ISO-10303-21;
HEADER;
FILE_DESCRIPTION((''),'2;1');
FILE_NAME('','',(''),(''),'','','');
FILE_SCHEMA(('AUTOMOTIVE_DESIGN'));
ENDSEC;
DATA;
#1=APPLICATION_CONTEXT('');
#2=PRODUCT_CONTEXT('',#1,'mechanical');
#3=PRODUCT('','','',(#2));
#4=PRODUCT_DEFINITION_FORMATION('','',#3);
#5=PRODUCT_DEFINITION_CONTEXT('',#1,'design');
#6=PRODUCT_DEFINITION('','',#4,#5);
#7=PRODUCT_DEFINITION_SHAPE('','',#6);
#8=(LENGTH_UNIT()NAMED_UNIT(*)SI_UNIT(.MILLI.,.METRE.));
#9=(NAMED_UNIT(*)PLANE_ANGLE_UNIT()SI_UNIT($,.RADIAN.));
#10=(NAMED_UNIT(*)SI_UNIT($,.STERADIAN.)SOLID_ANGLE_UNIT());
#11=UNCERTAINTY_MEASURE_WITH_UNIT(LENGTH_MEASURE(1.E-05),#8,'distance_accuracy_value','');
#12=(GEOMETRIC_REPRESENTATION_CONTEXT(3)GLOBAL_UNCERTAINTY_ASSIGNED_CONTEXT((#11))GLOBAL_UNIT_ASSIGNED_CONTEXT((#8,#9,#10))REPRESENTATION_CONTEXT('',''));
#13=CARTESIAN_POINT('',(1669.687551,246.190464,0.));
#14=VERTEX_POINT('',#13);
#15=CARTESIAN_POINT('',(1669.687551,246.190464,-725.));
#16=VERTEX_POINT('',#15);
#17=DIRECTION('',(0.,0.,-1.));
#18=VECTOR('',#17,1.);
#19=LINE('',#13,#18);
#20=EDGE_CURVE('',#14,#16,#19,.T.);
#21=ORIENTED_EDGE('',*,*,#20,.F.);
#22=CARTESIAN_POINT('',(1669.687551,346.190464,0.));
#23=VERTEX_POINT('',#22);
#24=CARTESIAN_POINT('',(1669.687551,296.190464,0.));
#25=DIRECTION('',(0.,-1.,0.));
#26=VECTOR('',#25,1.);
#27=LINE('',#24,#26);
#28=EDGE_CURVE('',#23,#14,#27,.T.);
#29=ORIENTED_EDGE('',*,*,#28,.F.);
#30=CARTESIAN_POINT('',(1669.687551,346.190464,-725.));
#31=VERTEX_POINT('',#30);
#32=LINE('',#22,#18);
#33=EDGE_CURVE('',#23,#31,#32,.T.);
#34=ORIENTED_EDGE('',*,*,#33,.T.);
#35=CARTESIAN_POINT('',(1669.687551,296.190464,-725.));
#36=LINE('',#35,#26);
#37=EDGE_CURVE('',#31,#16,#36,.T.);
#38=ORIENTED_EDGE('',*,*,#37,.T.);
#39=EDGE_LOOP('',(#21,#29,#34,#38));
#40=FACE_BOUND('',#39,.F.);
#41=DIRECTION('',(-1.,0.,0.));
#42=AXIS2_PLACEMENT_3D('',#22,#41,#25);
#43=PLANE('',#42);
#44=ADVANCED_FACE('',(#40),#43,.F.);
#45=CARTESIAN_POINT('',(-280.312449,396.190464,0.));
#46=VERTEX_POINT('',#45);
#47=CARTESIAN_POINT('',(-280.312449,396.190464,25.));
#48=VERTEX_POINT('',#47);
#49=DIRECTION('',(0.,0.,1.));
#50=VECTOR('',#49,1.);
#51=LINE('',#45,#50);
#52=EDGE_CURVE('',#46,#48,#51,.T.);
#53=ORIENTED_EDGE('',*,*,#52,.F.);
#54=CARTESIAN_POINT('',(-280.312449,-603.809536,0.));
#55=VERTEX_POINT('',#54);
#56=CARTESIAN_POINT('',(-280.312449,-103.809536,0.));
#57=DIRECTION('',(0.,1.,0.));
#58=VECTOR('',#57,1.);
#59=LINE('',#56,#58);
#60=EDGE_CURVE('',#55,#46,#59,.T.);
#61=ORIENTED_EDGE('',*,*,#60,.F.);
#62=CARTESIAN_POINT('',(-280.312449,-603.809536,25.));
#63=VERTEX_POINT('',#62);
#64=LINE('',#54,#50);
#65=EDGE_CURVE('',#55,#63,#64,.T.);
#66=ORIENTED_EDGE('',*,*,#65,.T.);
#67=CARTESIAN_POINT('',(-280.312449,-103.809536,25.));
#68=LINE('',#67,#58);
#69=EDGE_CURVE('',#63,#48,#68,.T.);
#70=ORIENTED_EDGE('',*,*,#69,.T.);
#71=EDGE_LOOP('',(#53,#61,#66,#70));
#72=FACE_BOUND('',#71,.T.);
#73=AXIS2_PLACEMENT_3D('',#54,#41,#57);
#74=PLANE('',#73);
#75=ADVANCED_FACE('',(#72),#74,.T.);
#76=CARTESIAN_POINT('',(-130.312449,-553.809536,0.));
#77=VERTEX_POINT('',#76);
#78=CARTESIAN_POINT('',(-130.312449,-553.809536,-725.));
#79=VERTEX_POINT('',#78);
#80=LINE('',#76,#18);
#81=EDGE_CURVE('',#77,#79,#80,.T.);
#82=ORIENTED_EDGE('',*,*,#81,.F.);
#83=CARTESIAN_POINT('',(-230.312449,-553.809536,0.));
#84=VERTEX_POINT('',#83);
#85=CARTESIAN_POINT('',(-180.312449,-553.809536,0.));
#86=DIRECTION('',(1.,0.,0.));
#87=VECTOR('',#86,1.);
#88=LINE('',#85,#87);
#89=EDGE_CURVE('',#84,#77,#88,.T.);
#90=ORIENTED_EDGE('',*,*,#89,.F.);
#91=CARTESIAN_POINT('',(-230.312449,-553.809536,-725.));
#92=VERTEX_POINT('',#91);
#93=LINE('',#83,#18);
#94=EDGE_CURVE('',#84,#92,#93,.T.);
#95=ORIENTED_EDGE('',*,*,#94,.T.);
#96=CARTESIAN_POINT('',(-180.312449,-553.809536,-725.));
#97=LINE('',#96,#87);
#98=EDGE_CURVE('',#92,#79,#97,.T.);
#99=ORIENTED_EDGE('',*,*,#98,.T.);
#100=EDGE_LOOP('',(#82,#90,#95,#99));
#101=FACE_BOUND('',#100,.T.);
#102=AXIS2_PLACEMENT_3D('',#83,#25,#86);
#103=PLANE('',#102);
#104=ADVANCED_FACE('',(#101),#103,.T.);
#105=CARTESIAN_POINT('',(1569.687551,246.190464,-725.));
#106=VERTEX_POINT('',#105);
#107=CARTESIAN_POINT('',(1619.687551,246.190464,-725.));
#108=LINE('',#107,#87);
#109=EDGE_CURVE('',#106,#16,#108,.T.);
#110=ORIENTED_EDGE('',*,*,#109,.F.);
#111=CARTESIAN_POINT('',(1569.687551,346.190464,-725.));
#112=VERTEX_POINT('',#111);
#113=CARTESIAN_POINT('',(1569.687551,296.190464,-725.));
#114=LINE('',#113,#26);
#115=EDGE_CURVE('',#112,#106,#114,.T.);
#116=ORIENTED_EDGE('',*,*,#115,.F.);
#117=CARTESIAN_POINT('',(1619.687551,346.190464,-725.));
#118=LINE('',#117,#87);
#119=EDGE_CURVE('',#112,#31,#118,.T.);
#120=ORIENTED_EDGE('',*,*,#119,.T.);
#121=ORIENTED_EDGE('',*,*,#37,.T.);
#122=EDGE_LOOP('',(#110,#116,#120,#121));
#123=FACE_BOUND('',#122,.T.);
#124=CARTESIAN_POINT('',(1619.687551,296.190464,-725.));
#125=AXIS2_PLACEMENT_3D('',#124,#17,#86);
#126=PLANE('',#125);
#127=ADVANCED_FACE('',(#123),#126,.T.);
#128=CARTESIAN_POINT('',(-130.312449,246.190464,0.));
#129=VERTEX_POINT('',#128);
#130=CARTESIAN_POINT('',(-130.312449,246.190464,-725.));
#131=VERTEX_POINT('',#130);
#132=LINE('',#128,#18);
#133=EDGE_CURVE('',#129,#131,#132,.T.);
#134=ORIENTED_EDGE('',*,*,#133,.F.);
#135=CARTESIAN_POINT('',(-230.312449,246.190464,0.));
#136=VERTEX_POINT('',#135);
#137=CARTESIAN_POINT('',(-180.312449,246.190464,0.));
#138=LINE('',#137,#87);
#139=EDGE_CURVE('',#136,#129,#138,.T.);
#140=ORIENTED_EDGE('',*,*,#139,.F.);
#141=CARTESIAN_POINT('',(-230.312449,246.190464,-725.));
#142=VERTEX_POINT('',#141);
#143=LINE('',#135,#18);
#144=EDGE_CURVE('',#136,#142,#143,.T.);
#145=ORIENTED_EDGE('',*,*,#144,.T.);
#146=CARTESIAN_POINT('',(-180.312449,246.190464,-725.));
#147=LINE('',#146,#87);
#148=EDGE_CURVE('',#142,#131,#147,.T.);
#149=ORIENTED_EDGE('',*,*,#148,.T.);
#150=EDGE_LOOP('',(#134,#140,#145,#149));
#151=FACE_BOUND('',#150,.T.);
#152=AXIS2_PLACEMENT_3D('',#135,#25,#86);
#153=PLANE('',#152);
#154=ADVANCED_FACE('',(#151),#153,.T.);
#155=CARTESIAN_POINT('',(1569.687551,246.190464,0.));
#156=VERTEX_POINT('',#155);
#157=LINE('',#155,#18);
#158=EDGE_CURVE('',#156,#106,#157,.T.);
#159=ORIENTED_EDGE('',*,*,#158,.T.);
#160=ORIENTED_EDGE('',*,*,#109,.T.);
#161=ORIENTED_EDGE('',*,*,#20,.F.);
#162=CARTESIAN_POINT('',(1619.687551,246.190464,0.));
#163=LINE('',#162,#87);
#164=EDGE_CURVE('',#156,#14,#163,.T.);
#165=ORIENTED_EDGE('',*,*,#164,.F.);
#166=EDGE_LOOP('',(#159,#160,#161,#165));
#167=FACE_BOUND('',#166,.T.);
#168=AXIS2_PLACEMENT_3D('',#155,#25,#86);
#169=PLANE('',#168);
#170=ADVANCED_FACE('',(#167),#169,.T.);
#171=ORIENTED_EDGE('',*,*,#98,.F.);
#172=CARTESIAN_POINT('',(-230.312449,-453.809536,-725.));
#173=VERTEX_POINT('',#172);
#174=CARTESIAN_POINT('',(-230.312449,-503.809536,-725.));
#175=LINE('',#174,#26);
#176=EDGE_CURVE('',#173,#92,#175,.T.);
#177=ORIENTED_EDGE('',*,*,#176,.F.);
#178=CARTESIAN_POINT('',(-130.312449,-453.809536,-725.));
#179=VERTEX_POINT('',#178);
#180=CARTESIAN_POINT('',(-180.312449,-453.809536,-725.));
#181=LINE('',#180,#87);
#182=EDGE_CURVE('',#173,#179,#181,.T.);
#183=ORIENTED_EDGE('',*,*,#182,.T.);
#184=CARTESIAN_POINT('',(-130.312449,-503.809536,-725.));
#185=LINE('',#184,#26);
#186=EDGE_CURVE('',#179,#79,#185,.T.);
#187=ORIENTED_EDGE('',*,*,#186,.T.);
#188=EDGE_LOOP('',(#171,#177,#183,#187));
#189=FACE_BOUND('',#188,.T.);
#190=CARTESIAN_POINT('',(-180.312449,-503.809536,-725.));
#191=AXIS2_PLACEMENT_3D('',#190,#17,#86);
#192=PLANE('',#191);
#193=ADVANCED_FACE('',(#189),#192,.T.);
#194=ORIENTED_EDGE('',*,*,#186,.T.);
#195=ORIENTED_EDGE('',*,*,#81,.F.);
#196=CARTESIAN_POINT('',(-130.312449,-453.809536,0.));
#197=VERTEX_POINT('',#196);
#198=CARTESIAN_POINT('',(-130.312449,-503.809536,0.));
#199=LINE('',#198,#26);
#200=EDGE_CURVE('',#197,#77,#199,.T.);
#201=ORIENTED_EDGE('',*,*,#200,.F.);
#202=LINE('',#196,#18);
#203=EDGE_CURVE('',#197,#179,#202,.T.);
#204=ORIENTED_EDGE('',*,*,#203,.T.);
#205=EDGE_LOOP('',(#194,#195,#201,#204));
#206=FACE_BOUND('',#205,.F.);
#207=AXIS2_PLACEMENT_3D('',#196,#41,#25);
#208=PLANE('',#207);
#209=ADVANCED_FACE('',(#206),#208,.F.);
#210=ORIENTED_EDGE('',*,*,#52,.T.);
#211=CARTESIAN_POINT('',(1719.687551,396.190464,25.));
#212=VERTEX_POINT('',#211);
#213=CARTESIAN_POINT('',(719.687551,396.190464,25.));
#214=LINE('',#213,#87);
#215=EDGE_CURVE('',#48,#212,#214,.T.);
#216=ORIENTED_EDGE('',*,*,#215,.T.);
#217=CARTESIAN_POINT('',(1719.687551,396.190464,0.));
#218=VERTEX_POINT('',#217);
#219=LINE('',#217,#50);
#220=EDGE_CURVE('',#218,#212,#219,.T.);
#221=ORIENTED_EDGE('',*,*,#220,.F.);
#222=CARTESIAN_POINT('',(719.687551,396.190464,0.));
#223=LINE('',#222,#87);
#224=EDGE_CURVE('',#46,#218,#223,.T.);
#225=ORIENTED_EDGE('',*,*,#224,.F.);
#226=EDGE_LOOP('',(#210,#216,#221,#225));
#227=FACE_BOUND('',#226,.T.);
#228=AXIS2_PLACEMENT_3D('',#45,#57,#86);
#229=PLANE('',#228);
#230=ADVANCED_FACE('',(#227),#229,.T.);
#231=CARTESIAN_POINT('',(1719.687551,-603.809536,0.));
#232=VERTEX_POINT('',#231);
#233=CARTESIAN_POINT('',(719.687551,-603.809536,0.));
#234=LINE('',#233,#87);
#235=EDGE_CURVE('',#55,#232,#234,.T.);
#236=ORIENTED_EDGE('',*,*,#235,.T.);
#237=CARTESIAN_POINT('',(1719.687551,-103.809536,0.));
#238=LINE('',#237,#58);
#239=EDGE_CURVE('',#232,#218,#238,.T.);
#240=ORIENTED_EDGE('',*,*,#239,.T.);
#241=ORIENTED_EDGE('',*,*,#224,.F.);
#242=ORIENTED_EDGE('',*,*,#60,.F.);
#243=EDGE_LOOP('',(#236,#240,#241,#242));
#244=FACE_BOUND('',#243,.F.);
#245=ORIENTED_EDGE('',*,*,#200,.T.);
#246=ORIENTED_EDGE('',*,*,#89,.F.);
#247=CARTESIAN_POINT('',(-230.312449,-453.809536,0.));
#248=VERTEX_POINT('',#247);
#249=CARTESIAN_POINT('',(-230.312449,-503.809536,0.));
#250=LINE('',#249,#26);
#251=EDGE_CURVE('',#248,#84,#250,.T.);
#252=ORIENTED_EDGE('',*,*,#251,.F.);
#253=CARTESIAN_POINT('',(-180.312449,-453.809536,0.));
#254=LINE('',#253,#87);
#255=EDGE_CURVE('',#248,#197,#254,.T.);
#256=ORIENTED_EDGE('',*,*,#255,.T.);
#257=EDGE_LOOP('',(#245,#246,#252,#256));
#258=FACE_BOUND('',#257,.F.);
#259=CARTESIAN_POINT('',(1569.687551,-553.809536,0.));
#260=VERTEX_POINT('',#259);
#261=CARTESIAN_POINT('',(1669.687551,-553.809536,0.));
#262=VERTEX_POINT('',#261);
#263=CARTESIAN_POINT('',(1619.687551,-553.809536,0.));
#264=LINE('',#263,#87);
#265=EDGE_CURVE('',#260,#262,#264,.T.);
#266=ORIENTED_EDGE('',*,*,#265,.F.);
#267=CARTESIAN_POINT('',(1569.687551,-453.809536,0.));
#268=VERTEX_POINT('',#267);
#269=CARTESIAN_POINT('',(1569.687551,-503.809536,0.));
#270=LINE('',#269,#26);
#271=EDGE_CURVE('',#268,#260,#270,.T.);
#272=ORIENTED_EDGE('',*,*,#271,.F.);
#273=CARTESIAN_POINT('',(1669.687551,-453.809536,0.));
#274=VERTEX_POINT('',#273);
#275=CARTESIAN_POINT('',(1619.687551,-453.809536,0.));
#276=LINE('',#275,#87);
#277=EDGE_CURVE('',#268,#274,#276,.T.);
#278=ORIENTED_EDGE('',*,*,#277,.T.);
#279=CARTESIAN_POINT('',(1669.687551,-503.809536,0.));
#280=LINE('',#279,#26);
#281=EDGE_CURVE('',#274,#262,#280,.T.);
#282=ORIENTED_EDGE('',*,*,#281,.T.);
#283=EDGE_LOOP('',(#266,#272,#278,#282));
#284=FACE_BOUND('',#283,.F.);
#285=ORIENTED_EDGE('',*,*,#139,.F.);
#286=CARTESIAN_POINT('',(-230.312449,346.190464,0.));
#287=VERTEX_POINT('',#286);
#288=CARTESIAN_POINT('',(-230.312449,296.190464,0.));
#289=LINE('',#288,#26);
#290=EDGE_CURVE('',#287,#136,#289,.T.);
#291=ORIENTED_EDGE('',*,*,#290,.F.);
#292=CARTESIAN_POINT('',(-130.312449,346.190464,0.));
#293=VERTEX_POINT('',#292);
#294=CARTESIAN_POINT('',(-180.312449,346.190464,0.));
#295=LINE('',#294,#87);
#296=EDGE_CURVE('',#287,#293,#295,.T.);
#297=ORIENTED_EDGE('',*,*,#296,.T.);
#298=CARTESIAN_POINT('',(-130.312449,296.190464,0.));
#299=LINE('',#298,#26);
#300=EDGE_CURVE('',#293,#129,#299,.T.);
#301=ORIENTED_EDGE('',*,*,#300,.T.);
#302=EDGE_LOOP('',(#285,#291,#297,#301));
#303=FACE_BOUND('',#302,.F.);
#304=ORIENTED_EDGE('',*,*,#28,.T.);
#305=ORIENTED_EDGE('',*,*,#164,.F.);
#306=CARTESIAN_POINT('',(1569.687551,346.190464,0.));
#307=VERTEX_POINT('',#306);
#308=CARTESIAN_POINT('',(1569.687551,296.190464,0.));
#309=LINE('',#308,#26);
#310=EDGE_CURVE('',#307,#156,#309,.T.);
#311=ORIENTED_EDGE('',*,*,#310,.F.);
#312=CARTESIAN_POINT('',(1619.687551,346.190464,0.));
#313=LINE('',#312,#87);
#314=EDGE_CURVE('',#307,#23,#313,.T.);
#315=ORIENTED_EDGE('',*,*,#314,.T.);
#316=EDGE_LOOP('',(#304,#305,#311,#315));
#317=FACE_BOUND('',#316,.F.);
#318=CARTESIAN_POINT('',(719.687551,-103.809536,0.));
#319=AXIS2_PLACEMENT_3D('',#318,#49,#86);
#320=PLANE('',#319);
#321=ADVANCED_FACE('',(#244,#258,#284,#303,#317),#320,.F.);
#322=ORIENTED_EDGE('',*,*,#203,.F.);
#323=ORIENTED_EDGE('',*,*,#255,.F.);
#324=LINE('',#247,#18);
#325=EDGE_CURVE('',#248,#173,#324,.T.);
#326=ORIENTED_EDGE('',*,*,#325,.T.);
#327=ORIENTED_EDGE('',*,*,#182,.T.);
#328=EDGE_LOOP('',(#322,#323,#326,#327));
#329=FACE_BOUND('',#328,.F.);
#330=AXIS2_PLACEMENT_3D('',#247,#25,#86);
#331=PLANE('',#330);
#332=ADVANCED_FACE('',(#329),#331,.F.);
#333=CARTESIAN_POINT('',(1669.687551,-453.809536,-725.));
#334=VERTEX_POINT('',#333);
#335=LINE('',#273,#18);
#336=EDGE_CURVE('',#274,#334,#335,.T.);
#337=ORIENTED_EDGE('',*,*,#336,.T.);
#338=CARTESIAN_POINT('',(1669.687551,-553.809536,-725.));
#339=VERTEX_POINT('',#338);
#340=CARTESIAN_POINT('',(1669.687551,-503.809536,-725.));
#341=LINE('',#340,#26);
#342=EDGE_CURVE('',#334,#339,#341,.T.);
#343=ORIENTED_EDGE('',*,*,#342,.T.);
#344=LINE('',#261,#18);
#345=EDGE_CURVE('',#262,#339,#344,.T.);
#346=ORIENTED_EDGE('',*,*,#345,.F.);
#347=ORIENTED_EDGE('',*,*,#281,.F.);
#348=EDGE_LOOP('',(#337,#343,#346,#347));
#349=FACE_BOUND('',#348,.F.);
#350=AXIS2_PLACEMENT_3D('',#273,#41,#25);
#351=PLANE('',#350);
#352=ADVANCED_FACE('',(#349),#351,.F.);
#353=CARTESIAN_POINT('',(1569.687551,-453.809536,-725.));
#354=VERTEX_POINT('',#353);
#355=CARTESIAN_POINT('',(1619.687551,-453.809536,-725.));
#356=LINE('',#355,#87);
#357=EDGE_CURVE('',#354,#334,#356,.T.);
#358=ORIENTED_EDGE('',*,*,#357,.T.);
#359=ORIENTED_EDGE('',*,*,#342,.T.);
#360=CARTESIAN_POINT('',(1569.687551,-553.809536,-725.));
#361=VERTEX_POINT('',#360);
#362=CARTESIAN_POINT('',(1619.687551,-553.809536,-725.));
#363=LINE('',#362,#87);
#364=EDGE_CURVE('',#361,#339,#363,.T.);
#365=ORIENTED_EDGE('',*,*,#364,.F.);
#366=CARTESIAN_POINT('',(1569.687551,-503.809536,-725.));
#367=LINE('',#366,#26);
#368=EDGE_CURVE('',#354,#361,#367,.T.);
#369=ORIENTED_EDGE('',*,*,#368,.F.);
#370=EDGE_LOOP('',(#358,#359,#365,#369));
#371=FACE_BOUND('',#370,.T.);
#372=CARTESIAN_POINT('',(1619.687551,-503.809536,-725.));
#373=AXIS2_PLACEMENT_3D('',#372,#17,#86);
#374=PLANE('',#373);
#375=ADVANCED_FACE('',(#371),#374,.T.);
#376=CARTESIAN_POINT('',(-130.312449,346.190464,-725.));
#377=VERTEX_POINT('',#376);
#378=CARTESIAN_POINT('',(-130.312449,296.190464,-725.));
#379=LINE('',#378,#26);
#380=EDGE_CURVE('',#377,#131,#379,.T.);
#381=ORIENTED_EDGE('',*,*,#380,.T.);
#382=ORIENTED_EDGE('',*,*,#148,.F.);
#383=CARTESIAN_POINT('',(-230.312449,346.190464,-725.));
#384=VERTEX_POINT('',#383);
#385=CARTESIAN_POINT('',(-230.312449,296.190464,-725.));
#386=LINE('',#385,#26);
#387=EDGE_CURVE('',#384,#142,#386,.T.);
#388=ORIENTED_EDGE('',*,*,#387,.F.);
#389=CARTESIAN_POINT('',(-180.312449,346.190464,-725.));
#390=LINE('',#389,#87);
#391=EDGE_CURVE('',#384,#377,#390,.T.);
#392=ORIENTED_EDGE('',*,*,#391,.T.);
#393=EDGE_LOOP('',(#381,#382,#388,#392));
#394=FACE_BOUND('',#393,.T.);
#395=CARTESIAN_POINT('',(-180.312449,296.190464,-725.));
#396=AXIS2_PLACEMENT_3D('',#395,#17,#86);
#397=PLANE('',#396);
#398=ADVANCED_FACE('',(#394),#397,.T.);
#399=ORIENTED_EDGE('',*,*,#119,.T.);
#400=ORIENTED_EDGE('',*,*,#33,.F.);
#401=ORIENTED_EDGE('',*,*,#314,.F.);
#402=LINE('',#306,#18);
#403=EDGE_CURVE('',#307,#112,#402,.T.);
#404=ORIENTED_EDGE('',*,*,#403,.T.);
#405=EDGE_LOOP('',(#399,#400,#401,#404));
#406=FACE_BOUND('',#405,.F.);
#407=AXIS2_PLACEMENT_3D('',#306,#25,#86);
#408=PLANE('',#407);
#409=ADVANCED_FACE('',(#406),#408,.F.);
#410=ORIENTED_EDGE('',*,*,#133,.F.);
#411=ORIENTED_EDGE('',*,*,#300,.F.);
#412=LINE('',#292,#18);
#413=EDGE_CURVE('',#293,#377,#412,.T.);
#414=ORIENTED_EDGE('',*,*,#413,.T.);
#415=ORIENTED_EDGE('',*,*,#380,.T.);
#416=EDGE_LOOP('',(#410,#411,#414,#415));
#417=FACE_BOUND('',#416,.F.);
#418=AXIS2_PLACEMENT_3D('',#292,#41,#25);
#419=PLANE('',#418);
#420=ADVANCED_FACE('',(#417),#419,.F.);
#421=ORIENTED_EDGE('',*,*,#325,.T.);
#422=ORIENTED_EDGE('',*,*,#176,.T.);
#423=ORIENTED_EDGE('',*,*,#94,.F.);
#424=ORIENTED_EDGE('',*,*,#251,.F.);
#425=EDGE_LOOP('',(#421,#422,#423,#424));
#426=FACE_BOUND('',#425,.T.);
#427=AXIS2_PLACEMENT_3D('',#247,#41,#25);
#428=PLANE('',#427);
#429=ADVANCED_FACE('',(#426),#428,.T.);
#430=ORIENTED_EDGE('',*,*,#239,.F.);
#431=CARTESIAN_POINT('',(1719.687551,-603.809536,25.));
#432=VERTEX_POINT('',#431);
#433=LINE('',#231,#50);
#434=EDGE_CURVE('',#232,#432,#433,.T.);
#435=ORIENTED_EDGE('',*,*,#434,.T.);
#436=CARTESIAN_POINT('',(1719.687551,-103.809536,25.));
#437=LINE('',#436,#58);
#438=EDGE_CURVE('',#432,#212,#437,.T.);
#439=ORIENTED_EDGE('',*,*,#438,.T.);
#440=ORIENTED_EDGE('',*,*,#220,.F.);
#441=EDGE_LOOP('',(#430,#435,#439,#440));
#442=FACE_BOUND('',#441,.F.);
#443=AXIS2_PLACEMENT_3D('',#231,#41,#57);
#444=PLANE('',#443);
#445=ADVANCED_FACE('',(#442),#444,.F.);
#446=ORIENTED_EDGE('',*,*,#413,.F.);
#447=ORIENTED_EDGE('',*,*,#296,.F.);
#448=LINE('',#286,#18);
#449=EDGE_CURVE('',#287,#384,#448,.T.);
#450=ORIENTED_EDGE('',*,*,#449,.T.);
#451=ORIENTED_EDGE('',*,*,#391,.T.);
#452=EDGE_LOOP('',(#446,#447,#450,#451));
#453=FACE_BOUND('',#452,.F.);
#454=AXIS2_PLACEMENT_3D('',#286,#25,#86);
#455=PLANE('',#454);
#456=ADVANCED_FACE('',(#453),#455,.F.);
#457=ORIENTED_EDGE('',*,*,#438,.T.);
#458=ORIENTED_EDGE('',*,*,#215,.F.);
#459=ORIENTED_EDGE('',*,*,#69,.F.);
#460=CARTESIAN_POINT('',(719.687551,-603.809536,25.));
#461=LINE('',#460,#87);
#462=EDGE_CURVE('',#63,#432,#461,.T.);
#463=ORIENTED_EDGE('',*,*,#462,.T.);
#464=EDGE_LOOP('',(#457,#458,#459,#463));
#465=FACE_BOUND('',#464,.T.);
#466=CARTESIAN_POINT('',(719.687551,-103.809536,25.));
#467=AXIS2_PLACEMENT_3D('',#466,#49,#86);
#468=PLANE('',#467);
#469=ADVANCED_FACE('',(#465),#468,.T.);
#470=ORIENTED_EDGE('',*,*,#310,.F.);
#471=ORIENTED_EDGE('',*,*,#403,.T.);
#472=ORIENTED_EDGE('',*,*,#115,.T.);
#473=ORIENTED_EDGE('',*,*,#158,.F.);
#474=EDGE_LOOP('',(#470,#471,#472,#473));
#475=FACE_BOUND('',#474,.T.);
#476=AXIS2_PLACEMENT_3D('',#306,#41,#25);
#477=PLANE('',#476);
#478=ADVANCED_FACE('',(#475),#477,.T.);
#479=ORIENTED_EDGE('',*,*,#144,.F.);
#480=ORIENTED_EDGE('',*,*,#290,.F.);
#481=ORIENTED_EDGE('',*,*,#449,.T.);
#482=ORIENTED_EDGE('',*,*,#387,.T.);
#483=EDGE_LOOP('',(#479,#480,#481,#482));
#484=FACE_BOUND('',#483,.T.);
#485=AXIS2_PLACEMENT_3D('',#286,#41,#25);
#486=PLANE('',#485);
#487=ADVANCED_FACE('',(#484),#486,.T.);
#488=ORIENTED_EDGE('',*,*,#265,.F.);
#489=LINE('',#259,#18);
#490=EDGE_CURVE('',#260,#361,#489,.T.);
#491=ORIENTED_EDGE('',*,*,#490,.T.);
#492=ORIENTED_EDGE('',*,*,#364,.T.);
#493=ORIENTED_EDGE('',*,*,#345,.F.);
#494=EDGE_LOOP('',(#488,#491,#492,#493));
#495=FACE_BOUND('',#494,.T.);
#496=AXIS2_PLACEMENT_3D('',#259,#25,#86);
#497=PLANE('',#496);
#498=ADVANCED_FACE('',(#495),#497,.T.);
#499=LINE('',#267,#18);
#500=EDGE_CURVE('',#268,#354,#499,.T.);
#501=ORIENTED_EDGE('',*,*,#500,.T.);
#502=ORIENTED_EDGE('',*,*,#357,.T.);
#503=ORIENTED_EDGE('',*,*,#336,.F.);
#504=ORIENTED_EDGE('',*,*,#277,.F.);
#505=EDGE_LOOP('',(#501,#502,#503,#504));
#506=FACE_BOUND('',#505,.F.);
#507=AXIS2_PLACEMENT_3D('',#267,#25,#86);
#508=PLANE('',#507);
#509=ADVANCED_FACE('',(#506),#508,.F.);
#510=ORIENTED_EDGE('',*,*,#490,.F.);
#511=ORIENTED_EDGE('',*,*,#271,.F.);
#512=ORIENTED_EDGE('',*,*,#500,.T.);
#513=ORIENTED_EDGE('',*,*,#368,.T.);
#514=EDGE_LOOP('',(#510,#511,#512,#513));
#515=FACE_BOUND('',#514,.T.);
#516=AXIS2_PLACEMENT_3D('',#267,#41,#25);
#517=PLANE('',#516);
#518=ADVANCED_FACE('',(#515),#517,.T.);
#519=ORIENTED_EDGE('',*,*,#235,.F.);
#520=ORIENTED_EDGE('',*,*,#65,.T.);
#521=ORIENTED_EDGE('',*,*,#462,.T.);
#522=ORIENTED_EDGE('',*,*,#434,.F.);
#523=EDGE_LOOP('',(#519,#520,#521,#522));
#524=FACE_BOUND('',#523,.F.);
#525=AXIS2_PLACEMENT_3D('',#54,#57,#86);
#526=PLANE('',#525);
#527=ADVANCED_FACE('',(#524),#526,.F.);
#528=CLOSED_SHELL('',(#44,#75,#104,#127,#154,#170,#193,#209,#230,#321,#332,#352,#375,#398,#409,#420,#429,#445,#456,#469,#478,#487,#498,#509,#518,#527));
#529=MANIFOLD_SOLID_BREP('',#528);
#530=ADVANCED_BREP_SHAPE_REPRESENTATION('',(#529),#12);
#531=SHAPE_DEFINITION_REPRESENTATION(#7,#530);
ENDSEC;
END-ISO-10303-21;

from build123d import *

# Parameters (mm, degrees)
F0_W     = 2000
F0_H     = 1000
F1_DEPTH = 25
F2_W     = 100
F2_H     = 100
F3_DEPTH = 725


with BuildPart() as f1:
    # F0 (on Top) → F1 (new body)
    with BuildSketch(Plane.XY):
        with Locations((719.687551, -103.809536)):
            Rectangle(F0_W, F0_H)
    extrude(amount=F1_DEPTH)

    # F2 (on face) → F3 (join)
    with BuildSketch(Plane(origin=(0, 0, 0), x_dir=(1, 0, 0), z_dir=(0, 0, -1))):
        with Locations((-180.312449, 503.809536)):
            Rectangle(F2_W, F2_H)
        with Locations((-180.312449, -296.190464)):
            Rectangle(F2_W, F2_H)
        with Locations((1619.687551, 503.809536)):
            Rectangle(F2_W, F2_H)
        with Locations((1619.687551, -296.190464)):
            Rectangle(F2_W, F2_H)
    extrude(amount=F3_DEPTH)


solid = f1.part
